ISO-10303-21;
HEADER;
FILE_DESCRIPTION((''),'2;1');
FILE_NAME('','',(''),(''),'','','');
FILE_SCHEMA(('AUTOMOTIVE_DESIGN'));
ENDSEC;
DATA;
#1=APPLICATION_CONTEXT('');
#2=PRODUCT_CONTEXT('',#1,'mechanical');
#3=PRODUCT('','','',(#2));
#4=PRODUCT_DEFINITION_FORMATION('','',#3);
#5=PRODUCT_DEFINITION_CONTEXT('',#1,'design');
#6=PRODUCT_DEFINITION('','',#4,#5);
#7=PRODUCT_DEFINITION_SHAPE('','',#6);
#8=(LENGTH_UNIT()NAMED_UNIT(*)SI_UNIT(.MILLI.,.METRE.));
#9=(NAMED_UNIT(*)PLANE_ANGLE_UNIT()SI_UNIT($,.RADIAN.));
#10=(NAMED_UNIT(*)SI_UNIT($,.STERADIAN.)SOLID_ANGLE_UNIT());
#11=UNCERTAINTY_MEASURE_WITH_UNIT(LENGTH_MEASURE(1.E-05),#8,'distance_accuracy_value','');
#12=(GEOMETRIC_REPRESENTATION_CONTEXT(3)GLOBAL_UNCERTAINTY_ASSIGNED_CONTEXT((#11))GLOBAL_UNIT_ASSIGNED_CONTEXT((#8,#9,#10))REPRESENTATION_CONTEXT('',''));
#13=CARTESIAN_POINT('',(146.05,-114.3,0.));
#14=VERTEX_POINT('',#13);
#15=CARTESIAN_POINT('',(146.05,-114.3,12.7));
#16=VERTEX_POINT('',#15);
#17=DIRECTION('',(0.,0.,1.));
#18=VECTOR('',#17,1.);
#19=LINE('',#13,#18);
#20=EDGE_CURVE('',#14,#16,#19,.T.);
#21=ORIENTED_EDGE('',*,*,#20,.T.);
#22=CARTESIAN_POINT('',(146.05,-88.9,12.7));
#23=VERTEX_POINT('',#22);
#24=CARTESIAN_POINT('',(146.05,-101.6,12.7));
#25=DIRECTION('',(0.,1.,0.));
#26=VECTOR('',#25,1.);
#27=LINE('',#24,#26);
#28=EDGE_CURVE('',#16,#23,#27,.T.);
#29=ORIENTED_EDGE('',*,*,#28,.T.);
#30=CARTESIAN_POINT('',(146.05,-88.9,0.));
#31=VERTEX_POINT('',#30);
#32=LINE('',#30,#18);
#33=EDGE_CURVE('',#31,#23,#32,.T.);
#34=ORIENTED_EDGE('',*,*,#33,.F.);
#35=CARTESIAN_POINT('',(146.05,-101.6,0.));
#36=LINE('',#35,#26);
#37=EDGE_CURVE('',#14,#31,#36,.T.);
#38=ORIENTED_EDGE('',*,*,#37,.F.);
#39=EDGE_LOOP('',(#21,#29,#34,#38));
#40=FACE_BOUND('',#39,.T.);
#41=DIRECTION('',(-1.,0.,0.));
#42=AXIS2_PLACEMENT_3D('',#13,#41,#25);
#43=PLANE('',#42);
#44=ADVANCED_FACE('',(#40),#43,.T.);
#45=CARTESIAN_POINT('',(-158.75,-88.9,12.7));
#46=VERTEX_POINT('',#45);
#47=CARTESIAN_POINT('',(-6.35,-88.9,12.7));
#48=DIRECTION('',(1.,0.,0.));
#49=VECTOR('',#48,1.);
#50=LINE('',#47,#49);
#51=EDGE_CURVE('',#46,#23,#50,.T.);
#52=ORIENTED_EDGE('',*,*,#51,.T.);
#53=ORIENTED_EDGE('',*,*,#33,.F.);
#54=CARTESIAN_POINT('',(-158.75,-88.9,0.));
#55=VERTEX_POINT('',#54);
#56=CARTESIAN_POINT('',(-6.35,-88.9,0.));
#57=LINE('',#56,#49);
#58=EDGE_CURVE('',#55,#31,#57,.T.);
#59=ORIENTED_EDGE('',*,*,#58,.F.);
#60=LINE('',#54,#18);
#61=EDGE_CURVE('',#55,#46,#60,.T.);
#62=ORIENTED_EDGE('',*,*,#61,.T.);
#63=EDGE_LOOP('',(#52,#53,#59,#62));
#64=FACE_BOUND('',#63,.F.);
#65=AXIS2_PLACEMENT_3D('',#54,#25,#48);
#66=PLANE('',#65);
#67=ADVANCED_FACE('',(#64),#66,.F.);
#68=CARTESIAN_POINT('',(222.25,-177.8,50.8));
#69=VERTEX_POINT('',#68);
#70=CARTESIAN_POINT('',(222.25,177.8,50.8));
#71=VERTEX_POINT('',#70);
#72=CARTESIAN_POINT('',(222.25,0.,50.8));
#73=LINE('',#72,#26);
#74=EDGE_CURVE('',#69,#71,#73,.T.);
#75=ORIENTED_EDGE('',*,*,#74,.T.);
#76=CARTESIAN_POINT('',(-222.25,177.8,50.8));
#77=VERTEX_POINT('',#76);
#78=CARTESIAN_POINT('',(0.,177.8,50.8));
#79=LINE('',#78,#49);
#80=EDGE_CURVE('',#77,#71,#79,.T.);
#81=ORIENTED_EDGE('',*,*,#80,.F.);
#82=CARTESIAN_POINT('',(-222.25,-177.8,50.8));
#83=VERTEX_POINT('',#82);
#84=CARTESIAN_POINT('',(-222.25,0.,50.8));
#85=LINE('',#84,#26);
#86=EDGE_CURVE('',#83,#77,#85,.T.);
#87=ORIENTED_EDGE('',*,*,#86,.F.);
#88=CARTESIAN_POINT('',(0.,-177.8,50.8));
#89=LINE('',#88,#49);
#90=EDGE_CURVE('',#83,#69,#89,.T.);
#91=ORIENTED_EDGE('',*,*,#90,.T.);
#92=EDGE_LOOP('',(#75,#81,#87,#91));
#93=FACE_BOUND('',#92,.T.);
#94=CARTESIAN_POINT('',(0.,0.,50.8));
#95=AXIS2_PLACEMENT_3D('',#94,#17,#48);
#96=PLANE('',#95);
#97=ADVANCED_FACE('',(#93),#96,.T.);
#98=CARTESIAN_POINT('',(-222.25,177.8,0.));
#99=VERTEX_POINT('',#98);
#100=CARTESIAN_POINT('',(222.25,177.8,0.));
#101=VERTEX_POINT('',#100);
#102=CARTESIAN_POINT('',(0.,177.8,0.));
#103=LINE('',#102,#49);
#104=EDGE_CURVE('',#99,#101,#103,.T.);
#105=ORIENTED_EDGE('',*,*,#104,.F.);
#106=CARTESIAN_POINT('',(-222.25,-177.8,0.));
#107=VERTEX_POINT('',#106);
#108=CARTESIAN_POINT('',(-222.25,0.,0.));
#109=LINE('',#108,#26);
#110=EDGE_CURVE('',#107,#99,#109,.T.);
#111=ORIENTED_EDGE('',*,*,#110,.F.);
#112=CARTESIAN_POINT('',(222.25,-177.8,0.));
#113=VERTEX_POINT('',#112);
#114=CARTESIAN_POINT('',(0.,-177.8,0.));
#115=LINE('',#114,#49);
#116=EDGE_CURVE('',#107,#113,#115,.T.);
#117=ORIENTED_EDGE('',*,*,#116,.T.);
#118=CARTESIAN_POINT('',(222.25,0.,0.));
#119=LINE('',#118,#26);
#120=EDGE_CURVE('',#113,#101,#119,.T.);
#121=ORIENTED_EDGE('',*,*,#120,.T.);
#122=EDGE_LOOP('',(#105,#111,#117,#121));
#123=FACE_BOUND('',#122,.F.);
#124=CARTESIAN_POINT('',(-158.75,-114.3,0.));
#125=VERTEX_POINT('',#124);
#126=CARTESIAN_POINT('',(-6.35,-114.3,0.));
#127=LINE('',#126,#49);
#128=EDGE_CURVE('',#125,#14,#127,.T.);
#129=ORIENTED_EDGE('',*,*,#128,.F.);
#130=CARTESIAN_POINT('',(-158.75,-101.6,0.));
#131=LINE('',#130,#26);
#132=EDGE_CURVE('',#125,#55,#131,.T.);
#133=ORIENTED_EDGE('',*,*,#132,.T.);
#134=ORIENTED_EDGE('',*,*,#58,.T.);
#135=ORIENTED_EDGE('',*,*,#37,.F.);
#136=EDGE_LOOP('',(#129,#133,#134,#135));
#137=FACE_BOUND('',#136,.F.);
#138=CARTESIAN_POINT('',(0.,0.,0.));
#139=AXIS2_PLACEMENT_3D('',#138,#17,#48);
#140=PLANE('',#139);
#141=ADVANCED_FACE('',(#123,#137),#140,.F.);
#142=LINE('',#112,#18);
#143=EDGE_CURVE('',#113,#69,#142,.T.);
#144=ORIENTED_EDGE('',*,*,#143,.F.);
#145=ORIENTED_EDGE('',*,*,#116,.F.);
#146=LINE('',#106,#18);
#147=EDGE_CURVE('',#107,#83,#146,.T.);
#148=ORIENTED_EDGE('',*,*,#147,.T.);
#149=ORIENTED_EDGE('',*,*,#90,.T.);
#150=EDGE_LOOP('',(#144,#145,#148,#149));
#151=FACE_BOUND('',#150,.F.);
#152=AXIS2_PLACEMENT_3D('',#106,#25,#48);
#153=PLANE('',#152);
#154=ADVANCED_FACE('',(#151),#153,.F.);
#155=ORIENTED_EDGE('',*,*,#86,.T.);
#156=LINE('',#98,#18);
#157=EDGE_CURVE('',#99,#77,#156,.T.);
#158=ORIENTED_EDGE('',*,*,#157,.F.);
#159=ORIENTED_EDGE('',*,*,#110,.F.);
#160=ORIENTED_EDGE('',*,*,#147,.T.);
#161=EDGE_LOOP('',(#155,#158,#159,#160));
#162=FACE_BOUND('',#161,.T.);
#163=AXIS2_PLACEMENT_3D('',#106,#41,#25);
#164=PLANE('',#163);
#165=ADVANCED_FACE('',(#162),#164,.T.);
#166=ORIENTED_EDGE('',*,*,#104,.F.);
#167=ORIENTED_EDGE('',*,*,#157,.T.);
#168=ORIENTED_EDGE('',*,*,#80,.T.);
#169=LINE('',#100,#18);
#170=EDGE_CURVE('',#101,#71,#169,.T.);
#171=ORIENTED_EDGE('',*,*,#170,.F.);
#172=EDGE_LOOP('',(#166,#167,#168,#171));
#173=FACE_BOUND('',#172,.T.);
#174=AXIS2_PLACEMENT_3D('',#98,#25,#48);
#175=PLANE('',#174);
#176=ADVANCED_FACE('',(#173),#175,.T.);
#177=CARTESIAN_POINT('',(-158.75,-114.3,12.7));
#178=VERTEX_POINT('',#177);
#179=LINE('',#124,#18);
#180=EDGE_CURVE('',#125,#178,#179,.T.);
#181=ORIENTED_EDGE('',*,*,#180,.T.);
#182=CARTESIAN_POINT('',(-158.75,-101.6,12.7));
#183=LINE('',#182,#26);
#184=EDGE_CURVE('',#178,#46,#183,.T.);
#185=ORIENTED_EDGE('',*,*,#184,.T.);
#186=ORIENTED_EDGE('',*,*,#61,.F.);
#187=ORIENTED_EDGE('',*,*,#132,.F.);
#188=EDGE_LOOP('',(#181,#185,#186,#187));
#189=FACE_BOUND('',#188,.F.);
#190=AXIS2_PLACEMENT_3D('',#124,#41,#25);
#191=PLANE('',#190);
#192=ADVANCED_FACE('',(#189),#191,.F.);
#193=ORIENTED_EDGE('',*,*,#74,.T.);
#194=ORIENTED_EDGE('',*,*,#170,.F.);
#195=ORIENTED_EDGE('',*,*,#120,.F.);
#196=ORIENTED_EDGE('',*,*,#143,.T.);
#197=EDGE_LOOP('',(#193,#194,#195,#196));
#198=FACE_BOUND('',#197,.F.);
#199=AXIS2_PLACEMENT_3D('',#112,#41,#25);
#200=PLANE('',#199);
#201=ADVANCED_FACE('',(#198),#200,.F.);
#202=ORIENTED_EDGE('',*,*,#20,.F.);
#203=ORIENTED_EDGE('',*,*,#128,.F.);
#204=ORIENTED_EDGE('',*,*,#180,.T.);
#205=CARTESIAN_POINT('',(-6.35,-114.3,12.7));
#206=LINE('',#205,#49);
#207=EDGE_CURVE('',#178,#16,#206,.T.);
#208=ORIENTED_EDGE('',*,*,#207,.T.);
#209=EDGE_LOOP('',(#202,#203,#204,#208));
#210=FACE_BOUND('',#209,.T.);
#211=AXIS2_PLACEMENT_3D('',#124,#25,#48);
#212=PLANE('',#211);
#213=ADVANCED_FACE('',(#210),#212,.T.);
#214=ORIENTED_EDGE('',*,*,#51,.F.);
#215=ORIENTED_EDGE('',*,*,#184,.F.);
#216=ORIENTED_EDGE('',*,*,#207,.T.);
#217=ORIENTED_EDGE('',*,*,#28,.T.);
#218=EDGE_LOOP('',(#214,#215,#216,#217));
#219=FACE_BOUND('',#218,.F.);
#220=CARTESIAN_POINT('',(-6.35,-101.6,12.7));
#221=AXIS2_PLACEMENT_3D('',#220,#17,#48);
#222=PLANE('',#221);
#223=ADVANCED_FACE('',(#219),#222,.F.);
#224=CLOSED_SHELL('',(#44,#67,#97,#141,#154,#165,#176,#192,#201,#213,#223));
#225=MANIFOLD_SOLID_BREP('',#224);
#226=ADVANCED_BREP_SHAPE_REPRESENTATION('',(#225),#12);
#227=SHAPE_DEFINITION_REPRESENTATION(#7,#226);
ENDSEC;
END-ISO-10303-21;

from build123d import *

# Parameters (mm, degrees)
F0_W     = 444.5
F0_H     = 355.6
F1_DEPTH = 50.8
F2_W     = 304.8
F2_H     = 25.4
F3_DEPTH = 12.7


with BuildPart() as f1:
    # F0 (on Top) → F1 (new body)
    with BuildSketch(Plane.XY):
        Rectangle(F0_W, F0_H)
    extrude(amount=F1_DEPTH)

    # F2 (on face) → F3 (cut)
    with BuildSketch(Plane.XY):
        with Locations((-6.35, -101.6)):
            Rectangle(F2_W, F2_H)
    extrude(amount=F3_DEPTH, mode=Mode.SUBTRACT)


solid = f1.part
